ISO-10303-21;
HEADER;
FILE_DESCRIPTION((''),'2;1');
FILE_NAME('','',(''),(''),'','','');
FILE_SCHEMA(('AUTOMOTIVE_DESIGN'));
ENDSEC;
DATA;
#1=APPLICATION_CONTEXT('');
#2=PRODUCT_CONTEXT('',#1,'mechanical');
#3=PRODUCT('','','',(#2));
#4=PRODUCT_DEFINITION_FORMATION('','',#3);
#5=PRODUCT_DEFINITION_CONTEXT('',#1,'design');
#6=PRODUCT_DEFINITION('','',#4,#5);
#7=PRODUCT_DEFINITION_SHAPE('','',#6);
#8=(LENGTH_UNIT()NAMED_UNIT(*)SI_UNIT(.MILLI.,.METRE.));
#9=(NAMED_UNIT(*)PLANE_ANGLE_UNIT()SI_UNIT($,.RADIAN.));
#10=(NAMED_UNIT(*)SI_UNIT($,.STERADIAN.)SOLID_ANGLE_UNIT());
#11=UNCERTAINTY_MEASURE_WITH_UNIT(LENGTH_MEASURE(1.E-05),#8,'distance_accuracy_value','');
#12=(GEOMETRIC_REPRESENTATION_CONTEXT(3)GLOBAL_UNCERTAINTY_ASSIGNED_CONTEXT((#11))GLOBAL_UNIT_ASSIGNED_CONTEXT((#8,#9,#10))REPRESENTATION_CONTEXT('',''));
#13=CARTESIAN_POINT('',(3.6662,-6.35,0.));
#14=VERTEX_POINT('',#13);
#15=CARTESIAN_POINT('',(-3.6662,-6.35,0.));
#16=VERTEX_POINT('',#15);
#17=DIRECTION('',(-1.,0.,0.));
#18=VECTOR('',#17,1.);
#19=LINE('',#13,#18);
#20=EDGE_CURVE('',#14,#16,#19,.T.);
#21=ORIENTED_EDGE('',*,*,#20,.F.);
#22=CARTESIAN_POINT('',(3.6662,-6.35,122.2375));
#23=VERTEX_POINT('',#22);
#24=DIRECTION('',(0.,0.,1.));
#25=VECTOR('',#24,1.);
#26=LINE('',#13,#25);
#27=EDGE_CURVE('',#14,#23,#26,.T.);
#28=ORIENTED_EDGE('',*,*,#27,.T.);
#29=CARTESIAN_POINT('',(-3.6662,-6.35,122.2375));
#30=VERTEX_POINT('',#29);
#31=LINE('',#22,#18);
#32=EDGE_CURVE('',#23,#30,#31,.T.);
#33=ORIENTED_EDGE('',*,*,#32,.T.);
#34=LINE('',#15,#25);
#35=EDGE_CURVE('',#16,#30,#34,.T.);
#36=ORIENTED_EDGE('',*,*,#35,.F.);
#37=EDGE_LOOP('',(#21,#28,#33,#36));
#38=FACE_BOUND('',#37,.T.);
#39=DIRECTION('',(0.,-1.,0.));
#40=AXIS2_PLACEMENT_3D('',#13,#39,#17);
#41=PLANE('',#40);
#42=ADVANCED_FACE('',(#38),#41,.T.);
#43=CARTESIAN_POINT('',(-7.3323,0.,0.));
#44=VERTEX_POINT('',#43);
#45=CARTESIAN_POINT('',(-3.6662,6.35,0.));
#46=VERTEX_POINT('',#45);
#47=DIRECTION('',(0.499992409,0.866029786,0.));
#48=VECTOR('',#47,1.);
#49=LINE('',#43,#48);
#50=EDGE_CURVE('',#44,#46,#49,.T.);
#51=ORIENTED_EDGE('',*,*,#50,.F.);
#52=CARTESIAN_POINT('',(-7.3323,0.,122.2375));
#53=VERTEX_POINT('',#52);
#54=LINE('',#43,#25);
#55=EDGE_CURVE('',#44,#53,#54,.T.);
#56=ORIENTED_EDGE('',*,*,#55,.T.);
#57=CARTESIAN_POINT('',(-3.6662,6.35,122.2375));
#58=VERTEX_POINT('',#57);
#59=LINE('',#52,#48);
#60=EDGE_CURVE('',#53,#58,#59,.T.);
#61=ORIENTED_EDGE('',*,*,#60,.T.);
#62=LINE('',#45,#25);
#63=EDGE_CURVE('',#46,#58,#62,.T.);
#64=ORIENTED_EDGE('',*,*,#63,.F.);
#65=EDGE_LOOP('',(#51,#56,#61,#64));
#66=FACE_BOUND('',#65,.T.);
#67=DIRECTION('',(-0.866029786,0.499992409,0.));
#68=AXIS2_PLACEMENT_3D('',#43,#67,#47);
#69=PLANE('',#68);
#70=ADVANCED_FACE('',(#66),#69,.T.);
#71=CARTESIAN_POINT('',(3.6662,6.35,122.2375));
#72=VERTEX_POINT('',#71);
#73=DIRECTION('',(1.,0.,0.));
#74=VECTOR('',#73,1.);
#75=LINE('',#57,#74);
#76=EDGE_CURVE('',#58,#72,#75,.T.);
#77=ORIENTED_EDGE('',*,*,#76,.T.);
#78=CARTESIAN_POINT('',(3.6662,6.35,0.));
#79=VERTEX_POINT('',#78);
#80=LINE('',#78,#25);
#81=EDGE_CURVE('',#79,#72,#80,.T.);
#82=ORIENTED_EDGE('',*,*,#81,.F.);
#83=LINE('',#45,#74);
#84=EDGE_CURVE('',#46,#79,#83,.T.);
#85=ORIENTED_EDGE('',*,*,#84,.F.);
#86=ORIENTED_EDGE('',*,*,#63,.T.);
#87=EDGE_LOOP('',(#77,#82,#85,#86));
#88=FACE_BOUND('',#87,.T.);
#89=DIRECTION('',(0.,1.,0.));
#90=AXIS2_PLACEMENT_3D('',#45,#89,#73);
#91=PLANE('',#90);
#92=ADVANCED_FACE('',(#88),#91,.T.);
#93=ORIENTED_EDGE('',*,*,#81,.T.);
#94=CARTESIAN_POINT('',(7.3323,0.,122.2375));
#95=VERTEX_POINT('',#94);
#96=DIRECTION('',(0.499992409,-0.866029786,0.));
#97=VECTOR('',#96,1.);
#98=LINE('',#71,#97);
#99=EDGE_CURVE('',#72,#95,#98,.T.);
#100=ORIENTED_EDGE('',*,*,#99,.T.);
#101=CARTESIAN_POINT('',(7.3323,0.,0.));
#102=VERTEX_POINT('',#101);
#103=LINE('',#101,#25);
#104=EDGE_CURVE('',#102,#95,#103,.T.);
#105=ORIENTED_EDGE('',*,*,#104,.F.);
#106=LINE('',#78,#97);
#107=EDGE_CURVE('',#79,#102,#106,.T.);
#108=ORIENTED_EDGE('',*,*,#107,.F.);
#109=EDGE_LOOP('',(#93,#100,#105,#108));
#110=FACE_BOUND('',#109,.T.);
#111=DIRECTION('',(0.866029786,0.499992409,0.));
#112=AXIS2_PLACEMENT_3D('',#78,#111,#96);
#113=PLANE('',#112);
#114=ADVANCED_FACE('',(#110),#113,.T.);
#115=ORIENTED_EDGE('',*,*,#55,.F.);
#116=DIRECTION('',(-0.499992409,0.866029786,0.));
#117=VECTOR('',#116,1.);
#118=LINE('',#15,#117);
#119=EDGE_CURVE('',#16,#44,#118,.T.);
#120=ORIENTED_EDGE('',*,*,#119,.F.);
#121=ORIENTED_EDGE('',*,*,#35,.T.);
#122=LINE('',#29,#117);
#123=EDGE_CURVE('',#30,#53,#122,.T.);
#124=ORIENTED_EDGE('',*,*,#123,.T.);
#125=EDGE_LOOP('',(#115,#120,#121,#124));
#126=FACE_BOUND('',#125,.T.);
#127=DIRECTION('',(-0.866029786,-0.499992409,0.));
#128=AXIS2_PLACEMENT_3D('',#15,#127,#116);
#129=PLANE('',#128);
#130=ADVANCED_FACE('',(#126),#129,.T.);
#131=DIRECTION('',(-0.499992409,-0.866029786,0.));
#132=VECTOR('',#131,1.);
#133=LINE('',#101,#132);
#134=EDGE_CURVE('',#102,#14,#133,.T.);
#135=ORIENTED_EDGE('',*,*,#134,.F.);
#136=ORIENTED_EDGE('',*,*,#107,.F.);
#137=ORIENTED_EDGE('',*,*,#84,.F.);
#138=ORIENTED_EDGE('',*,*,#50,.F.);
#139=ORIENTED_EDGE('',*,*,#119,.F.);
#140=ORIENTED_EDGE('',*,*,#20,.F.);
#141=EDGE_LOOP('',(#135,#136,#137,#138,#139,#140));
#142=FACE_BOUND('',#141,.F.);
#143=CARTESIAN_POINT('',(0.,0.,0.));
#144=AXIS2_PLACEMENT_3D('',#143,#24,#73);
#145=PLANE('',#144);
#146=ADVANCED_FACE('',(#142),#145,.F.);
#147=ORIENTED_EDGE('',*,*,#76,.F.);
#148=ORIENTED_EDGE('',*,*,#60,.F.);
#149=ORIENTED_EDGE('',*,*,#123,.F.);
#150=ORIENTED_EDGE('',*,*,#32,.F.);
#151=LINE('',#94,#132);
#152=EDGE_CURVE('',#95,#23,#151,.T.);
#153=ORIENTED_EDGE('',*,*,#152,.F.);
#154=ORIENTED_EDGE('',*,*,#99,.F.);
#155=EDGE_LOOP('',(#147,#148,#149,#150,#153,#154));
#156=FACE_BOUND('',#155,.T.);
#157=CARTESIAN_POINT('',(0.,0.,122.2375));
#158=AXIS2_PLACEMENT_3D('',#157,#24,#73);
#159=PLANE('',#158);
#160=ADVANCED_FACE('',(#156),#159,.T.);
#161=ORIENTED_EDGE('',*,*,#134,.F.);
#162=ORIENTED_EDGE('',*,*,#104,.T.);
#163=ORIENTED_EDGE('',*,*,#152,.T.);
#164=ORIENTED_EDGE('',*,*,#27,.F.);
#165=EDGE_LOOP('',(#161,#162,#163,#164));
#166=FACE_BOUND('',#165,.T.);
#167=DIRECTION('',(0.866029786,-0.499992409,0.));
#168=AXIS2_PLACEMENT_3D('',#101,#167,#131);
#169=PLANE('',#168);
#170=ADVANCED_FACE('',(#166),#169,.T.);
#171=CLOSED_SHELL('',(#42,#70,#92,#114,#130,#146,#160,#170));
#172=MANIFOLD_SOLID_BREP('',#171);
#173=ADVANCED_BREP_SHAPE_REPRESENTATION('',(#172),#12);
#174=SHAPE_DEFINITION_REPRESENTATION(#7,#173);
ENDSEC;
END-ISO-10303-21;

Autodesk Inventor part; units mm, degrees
ref_plane "YZ Plane" through (0, 0, 0) normal (1, 0, 0) x (0, 1, 0)
ref_plane "XZ Plane" through (0, 0, 0) normal (0, 1, 0) x (-1, 0, 0)
ref_plane "XY Plane" through (0, 0, 0) normal (0, 0, 1) x (1, 0, 0)
sketch "Sketch1" plane through (0, 0, 0) normal (0, 0, 1) x (1, 0, 0)
  line L0 (7.3323, 0) -> (3.6662, -6.35)
  line L1 (3.6662, -6.35) -> (-3.6662, -6.35)
  line L2 (-3.6662, -6.35) -> (-7.3323, 0)
  line L3 (-7.3323, 0) -> (-3.6662, 6.35)
  line L4 (-3.6662, 6.35) -> (3.6662, 6.35)
  line L5 (3.6662, 6.35) -> (7.3323, 0)
  point P0 (0, 0)
  point P1 (0, 0)
  dimension "d0" = 12.7
extrude "Extrusion1" add sketch "Sketch1" along normal blind 122.2375
properties part number "475 hex shaft"
